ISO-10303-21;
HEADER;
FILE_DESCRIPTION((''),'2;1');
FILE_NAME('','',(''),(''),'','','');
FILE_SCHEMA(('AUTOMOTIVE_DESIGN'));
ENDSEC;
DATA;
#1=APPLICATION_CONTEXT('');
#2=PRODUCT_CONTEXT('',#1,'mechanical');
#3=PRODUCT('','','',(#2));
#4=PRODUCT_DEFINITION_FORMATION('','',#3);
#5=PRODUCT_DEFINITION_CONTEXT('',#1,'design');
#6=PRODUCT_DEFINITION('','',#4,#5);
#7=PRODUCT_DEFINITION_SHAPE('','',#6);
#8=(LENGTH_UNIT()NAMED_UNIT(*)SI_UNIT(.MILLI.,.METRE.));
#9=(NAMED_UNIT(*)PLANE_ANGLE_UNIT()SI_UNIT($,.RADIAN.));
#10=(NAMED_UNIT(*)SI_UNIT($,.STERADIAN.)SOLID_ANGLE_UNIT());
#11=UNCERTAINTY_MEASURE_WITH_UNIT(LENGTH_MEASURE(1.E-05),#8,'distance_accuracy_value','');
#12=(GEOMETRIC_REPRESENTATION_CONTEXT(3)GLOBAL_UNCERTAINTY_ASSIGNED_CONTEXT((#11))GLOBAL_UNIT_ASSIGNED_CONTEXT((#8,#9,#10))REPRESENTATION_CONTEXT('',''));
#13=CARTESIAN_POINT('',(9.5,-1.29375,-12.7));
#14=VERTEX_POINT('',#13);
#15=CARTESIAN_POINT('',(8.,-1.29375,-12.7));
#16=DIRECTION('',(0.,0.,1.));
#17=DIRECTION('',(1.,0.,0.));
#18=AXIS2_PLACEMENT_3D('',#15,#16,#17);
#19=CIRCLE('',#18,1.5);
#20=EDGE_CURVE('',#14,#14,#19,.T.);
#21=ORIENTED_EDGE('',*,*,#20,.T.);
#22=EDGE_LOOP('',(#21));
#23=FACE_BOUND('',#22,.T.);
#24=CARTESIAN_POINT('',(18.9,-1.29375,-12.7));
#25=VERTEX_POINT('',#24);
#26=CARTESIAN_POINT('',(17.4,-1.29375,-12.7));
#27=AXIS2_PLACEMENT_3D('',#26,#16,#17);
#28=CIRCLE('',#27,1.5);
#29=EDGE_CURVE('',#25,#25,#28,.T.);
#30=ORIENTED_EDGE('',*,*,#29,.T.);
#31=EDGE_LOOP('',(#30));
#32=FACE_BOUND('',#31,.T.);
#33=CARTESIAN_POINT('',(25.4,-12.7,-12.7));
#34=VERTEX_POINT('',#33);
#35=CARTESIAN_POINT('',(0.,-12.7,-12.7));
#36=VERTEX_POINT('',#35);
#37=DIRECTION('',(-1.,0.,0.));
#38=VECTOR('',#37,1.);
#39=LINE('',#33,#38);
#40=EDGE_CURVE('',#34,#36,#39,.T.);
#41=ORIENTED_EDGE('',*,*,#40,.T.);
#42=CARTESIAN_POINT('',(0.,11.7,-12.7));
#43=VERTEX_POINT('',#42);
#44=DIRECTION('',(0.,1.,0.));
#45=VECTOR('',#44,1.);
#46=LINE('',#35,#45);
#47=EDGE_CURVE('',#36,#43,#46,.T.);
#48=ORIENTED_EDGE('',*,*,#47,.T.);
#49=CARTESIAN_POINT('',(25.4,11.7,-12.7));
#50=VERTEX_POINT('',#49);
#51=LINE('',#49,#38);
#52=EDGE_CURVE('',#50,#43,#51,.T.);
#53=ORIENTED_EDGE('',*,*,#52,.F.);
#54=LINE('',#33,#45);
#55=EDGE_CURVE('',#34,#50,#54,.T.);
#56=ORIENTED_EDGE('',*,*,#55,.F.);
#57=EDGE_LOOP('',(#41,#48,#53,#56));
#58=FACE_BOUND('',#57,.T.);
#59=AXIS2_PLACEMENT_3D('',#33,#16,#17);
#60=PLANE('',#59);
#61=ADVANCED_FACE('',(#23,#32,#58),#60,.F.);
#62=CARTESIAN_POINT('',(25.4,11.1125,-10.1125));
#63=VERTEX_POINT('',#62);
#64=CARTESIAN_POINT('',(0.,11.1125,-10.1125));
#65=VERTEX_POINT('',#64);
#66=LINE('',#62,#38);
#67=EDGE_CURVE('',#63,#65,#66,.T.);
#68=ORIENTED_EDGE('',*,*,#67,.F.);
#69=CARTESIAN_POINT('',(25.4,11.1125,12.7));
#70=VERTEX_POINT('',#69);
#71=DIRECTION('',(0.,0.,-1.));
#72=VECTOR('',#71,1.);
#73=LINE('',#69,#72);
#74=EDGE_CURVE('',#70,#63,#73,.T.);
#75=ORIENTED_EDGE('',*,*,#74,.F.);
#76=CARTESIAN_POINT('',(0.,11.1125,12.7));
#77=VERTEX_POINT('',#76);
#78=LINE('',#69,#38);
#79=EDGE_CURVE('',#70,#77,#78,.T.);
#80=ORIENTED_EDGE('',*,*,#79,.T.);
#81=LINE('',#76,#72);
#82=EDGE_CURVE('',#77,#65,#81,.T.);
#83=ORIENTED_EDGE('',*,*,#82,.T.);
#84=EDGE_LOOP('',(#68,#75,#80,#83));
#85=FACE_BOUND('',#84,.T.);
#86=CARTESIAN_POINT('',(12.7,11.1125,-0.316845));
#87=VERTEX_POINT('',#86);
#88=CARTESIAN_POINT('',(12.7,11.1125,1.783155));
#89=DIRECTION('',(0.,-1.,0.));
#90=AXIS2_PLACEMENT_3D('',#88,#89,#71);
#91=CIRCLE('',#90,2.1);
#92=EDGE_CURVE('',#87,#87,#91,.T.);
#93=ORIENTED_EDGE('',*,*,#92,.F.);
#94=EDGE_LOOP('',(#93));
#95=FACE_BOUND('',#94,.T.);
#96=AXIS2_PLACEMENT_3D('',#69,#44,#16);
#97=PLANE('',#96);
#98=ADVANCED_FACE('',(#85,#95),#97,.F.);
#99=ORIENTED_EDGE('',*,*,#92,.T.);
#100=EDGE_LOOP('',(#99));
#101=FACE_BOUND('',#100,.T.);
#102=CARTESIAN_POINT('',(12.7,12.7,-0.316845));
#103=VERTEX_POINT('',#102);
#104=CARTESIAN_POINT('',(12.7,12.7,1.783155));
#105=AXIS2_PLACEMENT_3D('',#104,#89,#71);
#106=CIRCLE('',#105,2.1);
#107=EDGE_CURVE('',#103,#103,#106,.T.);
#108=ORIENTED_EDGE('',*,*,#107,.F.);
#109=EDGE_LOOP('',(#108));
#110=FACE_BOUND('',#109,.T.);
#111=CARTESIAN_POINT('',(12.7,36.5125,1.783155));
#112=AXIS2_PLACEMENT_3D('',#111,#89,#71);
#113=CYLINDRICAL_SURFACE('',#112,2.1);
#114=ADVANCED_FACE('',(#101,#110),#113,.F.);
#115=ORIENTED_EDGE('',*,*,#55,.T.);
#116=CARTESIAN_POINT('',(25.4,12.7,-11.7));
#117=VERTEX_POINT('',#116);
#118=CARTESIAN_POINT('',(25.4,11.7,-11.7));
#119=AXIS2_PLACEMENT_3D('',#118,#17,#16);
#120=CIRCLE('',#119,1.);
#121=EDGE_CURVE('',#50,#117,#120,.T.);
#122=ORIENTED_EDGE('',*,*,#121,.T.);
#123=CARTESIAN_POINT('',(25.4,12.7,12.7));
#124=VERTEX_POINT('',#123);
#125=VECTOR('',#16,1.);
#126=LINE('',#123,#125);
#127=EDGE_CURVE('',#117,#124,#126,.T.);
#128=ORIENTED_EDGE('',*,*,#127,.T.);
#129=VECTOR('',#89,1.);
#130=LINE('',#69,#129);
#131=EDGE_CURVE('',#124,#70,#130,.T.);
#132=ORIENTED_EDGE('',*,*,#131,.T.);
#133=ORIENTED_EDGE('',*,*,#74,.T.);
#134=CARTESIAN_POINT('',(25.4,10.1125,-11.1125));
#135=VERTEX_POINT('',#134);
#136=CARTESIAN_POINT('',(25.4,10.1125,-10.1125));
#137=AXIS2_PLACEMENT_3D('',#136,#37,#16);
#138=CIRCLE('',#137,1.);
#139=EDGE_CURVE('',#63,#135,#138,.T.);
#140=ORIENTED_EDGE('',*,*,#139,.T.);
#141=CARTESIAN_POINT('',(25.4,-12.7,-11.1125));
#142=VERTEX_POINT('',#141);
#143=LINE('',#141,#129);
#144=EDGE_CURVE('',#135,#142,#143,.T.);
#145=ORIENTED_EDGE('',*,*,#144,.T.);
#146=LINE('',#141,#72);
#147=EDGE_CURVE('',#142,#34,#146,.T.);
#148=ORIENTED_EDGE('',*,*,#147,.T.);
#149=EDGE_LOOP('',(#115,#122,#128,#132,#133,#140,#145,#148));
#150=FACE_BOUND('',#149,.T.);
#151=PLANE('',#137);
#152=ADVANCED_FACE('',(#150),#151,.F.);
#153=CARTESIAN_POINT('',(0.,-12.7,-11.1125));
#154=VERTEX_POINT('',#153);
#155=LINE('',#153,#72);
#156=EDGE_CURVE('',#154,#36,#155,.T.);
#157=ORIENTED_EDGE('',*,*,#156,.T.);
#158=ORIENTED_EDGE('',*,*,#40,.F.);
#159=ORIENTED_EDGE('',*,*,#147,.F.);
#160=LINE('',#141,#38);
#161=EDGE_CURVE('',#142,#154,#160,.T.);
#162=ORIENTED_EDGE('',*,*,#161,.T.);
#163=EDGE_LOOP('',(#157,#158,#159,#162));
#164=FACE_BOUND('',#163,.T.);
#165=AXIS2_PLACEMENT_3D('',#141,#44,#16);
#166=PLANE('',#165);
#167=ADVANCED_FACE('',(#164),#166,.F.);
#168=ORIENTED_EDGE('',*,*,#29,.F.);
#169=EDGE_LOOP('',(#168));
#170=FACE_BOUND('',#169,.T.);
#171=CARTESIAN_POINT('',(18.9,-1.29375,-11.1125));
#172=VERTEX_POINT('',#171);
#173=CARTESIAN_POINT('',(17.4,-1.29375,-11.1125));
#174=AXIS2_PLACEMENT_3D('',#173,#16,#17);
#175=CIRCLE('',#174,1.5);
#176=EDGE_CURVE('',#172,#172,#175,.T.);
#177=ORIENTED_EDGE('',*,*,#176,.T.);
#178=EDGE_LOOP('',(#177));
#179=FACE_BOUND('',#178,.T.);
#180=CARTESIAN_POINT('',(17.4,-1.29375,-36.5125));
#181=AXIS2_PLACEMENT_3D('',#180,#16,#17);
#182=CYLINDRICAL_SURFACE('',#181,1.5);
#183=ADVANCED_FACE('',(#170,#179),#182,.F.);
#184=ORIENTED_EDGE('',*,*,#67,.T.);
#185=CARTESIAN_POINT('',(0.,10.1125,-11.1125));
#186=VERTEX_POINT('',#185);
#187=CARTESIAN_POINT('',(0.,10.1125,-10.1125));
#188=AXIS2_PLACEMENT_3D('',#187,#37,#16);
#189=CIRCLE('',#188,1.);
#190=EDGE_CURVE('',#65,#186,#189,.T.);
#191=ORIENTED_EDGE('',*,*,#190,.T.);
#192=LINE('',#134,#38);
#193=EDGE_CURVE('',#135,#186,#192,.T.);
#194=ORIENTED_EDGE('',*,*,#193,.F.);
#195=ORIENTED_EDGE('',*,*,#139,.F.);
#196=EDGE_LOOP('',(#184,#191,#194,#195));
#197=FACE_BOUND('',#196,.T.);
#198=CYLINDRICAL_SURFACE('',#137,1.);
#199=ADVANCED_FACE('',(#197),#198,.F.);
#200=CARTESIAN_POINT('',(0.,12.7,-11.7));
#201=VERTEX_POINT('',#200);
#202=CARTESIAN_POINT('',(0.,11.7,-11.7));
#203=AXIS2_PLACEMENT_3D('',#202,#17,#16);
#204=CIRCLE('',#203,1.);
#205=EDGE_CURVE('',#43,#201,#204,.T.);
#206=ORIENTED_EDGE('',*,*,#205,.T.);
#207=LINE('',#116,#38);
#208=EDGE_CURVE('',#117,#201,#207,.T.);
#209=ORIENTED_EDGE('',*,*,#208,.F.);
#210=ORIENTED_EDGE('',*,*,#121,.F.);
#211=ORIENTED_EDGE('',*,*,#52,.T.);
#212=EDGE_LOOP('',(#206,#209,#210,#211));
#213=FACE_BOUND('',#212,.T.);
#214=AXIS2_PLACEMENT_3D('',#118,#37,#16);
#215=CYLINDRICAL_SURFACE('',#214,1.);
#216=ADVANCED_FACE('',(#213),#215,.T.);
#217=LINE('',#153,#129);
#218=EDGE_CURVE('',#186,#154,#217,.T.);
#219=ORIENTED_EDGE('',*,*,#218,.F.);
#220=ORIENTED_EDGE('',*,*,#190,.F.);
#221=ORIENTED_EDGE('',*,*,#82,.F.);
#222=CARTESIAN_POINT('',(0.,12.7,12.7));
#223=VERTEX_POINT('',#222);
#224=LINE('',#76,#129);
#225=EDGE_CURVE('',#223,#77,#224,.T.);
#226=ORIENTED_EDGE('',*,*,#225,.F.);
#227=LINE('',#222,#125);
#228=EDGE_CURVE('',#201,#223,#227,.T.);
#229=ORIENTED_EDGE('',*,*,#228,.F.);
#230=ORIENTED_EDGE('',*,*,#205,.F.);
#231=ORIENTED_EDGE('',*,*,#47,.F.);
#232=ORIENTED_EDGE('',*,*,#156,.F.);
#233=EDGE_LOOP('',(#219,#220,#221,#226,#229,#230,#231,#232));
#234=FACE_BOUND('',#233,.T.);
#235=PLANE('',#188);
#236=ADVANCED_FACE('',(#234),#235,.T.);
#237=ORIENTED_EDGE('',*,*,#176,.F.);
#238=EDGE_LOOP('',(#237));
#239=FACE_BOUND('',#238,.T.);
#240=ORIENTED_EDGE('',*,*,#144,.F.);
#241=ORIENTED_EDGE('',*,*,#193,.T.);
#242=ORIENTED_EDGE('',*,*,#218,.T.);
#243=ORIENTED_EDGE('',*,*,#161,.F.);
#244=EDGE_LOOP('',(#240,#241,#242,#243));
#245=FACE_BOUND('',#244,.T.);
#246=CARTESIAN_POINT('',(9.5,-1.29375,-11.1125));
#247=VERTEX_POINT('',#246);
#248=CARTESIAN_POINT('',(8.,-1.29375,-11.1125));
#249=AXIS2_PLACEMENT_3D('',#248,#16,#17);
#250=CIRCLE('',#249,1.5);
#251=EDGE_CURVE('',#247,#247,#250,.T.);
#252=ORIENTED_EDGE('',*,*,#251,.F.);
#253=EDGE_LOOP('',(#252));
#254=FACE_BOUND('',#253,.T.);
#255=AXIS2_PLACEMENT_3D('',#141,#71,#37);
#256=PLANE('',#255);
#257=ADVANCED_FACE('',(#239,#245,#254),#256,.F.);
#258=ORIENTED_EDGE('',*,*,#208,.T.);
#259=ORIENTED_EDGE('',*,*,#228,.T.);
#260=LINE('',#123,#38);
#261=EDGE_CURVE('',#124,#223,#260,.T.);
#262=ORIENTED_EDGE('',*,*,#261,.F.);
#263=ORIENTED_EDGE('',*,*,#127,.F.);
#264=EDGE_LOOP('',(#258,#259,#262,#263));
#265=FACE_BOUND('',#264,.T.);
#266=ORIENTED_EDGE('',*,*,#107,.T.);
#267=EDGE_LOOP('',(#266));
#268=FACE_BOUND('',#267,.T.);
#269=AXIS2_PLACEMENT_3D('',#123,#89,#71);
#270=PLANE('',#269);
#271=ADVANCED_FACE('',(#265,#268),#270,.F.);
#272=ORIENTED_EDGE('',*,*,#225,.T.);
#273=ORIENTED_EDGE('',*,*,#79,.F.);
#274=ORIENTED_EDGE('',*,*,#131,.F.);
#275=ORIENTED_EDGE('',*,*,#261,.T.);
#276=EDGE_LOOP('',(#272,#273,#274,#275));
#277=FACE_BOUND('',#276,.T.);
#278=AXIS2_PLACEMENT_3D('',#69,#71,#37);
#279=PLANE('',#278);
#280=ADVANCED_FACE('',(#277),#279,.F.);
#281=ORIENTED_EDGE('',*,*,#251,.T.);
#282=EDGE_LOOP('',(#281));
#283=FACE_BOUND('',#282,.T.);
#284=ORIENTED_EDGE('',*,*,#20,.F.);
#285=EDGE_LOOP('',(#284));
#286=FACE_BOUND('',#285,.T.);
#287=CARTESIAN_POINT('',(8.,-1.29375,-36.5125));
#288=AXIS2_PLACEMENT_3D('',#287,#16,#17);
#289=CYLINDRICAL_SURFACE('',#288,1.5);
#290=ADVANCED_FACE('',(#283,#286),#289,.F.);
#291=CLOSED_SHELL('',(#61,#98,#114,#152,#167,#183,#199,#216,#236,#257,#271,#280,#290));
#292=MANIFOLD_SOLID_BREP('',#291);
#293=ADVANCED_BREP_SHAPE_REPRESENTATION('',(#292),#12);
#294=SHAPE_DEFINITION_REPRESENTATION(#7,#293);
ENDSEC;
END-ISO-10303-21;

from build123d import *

# Parameters (mm, degrees)
BOSS_EXTRUDE1_DEPTH = 25.4
SKETCH2_R           = 1.5
CUT_EXTRUDE1_DEPTH  = 25.4
SKETCH3_R           = 2.1
CUT_EXTRUDE2_DEPTH  = 25.4


with BuildPart() as part:
    # Sketch1 → Boss-Extrude1 (new body)
    with BuildSketch(Plane(origin=(0, 0, 0), x_dir=(0, 0, -1), z_dir=(1, 0, 0))):
        with BuildLine():
            Line((11.1125, -12.7), (12.7, -12.7))
            Line((12.7, -12.7), (12.7, 11.7))
            ThreePointArc((12.7, 11.7), (12.407106781, 12.407106781), (11.7, 12.7))
            Line((11.7, 12.7), (-12.7, 12.7))
            Line((-12.7, 12.7), (-12.7, 11.1125))
            Line((-12.7, 11.1125), (10.1125, 11.1125))
            ThreePointArc((10.1125, 11.1125), (10.819606781, 10.819606781), (11.1125, 10.1125))
            Line((11.1125, 10.1125), (11.1125, -12.7))
        make_face()
    extrude(amount=BOSS_EXTRUDE1_DEPTH)

    # Sketch2 → Cut-Extrude1 (cut)
    with BuildSketch(Plane.XY.offset(-11.1125)):
        with Locations((8, -1.29375)):
            Circle(SKETCH2_R)
        with Locations((17.4, -1.29375)):
            Circle(SKETCH2_R)
    extrude(amount=-CUT_EXTRUDE1_DEPTH, mode=Mode.SUBTRACT)

    # Sketch3 → Cut-Extrude2 (cut)
    with BuildSketch(Plane.XZ.offset(-11.1125)):
        with Locations(Location((12.7, 1.783154784, 0), (0, 0, 270))):
            Circle(SKETCH3_R)
    extrude(amount=-CUT_EXTRUDE2_DEPTH, mode=Mode.SUBTRACT)


solid = part.part
